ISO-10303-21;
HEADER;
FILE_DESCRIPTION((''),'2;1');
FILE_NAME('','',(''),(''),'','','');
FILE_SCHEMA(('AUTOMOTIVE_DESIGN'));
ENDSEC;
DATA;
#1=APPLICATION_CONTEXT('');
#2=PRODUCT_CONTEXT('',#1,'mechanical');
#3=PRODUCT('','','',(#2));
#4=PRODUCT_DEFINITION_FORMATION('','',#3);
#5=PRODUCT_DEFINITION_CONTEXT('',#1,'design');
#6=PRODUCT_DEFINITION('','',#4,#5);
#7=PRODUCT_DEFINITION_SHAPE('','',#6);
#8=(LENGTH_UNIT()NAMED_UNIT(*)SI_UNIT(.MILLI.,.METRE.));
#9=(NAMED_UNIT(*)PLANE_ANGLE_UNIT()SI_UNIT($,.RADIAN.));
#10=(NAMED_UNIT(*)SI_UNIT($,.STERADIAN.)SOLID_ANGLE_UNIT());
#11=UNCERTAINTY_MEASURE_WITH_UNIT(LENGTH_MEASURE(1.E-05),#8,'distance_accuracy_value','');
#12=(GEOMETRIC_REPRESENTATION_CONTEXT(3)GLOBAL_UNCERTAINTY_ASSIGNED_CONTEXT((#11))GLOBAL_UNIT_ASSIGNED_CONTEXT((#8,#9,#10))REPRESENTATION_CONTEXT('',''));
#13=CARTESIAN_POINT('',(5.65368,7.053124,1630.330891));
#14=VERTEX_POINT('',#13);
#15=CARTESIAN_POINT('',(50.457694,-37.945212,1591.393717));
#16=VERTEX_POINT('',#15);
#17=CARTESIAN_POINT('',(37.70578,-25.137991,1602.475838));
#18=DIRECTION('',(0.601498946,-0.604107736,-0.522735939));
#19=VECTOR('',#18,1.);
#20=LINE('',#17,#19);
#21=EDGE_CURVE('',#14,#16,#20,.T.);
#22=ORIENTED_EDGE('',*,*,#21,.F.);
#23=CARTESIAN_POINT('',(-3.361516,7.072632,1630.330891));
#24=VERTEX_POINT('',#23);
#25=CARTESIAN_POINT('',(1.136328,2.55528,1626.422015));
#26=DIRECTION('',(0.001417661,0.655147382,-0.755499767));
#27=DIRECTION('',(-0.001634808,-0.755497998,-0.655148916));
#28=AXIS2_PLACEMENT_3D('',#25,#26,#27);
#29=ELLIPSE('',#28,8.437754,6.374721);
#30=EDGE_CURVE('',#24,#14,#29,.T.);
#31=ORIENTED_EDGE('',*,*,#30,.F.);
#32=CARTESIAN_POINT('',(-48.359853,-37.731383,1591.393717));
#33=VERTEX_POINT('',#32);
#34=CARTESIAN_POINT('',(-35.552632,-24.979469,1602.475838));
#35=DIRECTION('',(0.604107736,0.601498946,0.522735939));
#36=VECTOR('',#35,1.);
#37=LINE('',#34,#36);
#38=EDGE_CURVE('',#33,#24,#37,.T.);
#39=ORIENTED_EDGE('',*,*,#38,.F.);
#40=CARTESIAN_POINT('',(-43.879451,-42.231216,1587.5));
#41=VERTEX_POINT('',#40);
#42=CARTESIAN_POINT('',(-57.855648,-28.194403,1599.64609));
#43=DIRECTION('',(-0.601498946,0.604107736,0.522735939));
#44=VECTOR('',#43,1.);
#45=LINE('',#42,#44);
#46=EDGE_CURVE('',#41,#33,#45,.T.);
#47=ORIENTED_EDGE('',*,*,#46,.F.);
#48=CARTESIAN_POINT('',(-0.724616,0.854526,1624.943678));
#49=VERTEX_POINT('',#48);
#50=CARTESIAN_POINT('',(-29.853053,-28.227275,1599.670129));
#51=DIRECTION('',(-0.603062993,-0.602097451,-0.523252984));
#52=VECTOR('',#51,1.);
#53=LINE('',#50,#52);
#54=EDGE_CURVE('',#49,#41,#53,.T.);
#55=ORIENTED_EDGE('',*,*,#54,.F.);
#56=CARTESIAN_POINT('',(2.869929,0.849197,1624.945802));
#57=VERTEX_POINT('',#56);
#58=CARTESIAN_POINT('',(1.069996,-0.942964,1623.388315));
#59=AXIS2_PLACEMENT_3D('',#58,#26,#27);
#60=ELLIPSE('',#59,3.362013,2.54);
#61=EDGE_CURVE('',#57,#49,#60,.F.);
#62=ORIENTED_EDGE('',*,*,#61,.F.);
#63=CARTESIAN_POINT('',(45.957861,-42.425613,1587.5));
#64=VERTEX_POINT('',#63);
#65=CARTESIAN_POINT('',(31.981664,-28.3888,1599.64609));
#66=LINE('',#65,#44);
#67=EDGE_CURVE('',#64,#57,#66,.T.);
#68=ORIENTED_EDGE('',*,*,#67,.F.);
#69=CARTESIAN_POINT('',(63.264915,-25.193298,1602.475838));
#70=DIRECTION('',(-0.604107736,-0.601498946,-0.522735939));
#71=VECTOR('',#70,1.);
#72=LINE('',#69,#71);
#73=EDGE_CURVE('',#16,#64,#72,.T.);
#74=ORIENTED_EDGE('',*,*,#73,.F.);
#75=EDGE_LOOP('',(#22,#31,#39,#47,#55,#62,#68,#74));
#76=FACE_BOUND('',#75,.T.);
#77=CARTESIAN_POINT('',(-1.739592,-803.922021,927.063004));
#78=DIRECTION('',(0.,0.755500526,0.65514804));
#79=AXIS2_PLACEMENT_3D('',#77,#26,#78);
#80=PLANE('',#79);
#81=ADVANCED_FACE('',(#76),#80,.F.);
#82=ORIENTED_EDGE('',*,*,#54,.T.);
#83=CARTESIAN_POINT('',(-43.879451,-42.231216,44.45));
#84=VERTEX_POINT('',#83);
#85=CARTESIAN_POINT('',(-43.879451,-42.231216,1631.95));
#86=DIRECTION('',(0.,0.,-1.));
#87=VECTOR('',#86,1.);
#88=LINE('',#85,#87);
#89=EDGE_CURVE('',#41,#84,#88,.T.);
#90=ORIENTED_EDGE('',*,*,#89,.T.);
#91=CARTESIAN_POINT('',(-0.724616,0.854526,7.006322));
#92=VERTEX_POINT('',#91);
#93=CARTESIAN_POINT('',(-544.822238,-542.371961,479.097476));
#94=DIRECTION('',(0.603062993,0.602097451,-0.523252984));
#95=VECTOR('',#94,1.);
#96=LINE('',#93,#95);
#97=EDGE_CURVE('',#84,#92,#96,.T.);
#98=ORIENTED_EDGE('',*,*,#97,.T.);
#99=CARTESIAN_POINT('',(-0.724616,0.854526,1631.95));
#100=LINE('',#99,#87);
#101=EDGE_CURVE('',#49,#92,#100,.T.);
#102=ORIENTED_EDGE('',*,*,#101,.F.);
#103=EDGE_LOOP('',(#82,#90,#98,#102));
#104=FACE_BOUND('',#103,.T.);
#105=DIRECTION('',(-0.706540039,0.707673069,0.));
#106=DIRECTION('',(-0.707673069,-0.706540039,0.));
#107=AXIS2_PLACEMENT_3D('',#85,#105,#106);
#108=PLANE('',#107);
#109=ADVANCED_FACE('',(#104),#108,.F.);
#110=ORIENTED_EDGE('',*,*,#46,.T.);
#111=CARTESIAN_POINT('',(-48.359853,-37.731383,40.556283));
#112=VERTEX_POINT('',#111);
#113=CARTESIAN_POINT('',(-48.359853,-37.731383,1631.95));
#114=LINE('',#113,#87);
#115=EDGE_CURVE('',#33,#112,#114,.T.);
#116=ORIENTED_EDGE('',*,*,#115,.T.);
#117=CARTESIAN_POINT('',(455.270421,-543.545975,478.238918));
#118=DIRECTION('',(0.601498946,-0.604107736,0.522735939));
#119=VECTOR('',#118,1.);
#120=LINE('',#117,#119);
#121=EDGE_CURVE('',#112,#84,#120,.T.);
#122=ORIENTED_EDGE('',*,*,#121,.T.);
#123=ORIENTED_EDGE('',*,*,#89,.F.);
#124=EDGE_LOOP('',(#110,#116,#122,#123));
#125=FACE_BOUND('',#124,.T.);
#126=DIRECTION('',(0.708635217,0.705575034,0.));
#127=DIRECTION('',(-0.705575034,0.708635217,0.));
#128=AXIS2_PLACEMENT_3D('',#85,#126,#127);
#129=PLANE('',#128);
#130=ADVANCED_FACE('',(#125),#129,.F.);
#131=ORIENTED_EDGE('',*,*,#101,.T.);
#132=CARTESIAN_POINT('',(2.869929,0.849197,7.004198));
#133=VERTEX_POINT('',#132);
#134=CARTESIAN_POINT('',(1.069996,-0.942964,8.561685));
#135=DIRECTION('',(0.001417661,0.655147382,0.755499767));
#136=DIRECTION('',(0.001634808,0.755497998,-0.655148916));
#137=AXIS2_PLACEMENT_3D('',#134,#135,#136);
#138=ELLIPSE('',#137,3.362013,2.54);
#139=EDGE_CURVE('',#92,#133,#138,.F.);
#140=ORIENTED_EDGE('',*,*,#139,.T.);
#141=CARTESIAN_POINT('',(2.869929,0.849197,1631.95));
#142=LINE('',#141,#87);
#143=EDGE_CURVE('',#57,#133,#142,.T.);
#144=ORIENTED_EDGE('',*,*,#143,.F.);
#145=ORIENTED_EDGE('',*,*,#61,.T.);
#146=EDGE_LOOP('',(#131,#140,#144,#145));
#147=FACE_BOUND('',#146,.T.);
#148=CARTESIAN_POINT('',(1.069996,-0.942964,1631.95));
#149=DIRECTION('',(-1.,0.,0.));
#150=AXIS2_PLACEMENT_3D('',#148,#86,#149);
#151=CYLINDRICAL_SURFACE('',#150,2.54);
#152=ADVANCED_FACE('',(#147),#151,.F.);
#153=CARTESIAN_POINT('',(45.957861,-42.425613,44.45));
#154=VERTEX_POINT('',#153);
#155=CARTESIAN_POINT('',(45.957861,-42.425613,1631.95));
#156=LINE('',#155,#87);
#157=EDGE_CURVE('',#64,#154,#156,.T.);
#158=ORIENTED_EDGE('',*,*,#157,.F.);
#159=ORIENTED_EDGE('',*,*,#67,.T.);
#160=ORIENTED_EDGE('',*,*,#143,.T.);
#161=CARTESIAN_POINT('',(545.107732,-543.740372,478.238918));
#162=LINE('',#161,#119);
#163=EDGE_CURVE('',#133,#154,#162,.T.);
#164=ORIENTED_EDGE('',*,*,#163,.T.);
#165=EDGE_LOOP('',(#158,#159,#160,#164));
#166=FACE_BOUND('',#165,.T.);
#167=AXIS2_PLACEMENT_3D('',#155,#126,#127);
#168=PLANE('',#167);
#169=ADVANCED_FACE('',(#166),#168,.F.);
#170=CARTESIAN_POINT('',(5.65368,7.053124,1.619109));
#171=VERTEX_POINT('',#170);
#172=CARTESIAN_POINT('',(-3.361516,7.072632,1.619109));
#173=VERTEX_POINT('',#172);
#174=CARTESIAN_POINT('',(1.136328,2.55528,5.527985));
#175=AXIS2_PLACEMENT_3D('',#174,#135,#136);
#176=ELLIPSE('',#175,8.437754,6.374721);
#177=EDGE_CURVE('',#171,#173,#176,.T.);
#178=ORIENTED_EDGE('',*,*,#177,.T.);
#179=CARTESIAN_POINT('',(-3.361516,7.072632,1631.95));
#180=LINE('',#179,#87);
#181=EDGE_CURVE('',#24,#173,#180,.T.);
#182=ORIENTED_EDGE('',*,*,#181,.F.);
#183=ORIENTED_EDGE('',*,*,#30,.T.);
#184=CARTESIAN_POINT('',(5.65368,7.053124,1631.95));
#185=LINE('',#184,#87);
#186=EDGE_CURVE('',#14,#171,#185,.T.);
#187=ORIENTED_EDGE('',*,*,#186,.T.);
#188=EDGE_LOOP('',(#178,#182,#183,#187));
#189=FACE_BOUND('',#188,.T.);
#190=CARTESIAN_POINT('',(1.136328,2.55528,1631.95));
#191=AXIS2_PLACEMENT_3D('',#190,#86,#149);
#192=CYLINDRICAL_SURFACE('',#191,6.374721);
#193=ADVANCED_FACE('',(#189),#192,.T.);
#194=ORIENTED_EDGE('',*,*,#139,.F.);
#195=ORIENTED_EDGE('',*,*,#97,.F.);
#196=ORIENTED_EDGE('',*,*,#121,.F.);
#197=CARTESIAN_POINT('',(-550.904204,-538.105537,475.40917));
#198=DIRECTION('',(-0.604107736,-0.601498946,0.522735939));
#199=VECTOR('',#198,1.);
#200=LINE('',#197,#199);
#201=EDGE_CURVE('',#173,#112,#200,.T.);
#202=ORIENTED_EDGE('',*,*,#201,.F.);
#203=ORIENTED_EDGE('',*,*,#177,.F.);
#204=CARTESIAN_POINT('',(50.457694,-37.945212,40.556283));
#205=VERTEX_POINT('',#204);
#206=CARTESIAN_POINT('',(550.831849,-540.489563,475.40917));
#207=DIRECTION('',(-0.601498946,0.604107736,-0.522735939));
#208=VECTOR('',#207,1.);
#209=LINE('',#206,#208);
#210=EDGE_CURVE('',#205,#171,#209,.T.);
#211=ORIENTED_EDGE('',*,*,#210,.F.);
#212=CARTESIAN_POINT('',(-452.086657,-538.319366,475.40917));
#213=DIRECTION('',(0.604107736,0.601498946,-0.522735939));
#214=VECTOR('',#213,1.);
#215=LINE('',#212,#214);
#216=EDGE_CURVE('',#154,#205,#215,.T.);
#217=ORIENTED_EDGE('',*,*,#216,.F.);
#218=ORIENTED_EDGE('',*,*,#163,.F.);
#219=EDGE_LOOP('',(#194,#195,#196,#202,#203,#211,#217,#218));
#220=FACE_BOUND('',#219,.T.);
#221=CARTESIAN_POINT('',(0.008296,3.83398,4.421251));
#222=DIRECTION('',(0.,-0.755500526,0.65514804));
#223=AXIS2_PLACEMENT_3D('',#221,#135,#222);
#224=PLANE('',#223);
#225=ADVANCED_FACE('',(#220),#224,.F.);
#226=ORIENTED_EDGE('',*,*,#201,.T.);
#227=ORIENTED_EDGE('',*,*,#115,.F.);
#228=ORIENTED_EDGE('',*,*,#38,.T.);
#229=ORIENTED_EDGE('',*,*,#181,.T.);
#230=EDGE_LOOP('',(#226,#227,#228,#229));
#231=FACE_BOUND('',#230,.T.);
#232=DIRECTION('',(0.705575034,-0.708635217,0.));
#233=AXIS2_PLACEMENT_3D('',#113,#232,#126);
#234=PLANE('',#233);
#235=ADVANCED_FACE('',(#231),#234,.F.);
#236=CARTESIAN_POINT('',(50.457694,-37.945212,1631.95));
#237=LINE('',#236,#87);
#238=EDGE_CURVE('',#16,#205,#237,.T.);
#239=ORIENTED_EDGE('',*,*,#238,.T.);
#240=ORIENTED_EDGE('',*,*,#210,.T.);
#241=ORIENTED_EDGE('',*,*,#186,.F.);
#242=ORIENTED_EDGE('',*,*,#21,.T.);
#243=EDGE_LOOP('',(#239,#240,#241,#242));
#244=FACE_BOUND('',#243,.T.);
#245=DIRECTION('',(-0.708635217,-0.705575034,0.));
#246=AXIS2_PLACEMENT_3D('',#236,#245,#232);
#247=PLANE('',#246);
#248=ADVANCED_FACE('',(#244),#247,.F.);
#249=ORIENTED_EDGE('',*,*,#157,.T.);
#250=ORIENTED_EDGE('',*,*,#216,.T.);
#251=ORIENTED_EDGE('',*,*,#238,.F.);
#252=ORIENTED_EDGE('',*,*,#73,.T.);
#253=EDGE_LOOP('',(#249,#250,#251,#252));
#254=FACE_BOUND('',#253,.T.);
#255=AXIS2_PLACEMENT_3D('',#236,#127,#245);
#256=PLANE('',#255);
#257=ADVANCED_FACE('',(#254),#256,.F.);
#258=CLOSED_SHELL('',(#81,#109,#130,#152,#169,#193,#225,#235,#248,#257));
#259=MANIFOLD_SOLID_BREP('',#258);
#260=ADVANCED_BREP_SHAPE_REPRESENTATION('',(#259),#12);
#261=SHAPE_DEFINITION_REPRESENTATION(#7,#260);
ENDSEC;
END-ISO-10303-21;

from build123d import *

# Parameters (mm, degrees)
BOSS_EXTRUDE1_DEPTH = 1631.95
CUT_EXTRUDE2_DEPTH  = 76.2
SKETCH11_W          = 116.748947554
SKETCH11_H          = 157.612376209
CUT_EXTRUDE3_DEPTH  = 76.2


with BuildPart() as part:
    # Sketch1 → Boss-Extrude1 (new body)
    with BuildSketch(Plane.XY):
        with BuildLine():
            Line((-43.879451284, -42.2312162), (-48.35985275, -37.73138257))
            Line((-48.35985275, -37.73138257), (-3.361516443, 7.07263209))
            ThreePointArc((-3.361516443, 7.07263209), (1.150121774, 8.929986414), (5.653679589, 7.053124274))
            Line((5.653679589, 7.053124274), (50.457694249, -37.945212032))
            Line((50.457694249, -37.945212032), (45.957860619, -42.425613498))
            Line((45.957860619, -42.425613498), (2.869929296, 0.849196564))
            ThreePointArc((2.869929296, 0.849196564), (1.073761457, 1.597033186), (-0.724615856, 0.854525573))
            Line((-0.724615856, 0.854525573), (-43.879451284, -42.2312162))
        make_face()
    extrude(amount=BOSS_EXTRUDE1_DEPTH)

    # Sketch10 → Cut-Extrude2 (cut)
    with BuildSketch(Plane(origin=(-1.739591993, -803.922021371, 927.063003524), x_dir=(0.999998995, -0.000928778, 0.001071044), z_dir=(-0.001417661, -0.655147382, 0.755499767))):
        Polygon((-72.388022704, 958.296853766), (-72.388022704, 1089.35007065), (76.019748324, 1091.938631218), (76.019748324, 958.296853766), align=None)
    extrude(amount=CUT_EXTRUDE2_DEPTH, mode=Mode.SUBTRACT)

    # Sketch11 → Cut-Extrude3 (cut)
    with BuildSketch(Plane(origin=(0.008296278, 3.83397994, 4.421250898), x_dir=(0.999998995, -0.000928778, -0.001071044), z_dir=(0.001417661, 0.655147382, 0.755499767))):
        with Locations((-6.183779703, -23.975283789)):
            Rectangle(SKETCH11_W, SKETCH11_H)
    extrude(amount=-CUT_EXTRUDE3_DEPTH, mode=Mode.SUBTRACT)


solid = part.part
